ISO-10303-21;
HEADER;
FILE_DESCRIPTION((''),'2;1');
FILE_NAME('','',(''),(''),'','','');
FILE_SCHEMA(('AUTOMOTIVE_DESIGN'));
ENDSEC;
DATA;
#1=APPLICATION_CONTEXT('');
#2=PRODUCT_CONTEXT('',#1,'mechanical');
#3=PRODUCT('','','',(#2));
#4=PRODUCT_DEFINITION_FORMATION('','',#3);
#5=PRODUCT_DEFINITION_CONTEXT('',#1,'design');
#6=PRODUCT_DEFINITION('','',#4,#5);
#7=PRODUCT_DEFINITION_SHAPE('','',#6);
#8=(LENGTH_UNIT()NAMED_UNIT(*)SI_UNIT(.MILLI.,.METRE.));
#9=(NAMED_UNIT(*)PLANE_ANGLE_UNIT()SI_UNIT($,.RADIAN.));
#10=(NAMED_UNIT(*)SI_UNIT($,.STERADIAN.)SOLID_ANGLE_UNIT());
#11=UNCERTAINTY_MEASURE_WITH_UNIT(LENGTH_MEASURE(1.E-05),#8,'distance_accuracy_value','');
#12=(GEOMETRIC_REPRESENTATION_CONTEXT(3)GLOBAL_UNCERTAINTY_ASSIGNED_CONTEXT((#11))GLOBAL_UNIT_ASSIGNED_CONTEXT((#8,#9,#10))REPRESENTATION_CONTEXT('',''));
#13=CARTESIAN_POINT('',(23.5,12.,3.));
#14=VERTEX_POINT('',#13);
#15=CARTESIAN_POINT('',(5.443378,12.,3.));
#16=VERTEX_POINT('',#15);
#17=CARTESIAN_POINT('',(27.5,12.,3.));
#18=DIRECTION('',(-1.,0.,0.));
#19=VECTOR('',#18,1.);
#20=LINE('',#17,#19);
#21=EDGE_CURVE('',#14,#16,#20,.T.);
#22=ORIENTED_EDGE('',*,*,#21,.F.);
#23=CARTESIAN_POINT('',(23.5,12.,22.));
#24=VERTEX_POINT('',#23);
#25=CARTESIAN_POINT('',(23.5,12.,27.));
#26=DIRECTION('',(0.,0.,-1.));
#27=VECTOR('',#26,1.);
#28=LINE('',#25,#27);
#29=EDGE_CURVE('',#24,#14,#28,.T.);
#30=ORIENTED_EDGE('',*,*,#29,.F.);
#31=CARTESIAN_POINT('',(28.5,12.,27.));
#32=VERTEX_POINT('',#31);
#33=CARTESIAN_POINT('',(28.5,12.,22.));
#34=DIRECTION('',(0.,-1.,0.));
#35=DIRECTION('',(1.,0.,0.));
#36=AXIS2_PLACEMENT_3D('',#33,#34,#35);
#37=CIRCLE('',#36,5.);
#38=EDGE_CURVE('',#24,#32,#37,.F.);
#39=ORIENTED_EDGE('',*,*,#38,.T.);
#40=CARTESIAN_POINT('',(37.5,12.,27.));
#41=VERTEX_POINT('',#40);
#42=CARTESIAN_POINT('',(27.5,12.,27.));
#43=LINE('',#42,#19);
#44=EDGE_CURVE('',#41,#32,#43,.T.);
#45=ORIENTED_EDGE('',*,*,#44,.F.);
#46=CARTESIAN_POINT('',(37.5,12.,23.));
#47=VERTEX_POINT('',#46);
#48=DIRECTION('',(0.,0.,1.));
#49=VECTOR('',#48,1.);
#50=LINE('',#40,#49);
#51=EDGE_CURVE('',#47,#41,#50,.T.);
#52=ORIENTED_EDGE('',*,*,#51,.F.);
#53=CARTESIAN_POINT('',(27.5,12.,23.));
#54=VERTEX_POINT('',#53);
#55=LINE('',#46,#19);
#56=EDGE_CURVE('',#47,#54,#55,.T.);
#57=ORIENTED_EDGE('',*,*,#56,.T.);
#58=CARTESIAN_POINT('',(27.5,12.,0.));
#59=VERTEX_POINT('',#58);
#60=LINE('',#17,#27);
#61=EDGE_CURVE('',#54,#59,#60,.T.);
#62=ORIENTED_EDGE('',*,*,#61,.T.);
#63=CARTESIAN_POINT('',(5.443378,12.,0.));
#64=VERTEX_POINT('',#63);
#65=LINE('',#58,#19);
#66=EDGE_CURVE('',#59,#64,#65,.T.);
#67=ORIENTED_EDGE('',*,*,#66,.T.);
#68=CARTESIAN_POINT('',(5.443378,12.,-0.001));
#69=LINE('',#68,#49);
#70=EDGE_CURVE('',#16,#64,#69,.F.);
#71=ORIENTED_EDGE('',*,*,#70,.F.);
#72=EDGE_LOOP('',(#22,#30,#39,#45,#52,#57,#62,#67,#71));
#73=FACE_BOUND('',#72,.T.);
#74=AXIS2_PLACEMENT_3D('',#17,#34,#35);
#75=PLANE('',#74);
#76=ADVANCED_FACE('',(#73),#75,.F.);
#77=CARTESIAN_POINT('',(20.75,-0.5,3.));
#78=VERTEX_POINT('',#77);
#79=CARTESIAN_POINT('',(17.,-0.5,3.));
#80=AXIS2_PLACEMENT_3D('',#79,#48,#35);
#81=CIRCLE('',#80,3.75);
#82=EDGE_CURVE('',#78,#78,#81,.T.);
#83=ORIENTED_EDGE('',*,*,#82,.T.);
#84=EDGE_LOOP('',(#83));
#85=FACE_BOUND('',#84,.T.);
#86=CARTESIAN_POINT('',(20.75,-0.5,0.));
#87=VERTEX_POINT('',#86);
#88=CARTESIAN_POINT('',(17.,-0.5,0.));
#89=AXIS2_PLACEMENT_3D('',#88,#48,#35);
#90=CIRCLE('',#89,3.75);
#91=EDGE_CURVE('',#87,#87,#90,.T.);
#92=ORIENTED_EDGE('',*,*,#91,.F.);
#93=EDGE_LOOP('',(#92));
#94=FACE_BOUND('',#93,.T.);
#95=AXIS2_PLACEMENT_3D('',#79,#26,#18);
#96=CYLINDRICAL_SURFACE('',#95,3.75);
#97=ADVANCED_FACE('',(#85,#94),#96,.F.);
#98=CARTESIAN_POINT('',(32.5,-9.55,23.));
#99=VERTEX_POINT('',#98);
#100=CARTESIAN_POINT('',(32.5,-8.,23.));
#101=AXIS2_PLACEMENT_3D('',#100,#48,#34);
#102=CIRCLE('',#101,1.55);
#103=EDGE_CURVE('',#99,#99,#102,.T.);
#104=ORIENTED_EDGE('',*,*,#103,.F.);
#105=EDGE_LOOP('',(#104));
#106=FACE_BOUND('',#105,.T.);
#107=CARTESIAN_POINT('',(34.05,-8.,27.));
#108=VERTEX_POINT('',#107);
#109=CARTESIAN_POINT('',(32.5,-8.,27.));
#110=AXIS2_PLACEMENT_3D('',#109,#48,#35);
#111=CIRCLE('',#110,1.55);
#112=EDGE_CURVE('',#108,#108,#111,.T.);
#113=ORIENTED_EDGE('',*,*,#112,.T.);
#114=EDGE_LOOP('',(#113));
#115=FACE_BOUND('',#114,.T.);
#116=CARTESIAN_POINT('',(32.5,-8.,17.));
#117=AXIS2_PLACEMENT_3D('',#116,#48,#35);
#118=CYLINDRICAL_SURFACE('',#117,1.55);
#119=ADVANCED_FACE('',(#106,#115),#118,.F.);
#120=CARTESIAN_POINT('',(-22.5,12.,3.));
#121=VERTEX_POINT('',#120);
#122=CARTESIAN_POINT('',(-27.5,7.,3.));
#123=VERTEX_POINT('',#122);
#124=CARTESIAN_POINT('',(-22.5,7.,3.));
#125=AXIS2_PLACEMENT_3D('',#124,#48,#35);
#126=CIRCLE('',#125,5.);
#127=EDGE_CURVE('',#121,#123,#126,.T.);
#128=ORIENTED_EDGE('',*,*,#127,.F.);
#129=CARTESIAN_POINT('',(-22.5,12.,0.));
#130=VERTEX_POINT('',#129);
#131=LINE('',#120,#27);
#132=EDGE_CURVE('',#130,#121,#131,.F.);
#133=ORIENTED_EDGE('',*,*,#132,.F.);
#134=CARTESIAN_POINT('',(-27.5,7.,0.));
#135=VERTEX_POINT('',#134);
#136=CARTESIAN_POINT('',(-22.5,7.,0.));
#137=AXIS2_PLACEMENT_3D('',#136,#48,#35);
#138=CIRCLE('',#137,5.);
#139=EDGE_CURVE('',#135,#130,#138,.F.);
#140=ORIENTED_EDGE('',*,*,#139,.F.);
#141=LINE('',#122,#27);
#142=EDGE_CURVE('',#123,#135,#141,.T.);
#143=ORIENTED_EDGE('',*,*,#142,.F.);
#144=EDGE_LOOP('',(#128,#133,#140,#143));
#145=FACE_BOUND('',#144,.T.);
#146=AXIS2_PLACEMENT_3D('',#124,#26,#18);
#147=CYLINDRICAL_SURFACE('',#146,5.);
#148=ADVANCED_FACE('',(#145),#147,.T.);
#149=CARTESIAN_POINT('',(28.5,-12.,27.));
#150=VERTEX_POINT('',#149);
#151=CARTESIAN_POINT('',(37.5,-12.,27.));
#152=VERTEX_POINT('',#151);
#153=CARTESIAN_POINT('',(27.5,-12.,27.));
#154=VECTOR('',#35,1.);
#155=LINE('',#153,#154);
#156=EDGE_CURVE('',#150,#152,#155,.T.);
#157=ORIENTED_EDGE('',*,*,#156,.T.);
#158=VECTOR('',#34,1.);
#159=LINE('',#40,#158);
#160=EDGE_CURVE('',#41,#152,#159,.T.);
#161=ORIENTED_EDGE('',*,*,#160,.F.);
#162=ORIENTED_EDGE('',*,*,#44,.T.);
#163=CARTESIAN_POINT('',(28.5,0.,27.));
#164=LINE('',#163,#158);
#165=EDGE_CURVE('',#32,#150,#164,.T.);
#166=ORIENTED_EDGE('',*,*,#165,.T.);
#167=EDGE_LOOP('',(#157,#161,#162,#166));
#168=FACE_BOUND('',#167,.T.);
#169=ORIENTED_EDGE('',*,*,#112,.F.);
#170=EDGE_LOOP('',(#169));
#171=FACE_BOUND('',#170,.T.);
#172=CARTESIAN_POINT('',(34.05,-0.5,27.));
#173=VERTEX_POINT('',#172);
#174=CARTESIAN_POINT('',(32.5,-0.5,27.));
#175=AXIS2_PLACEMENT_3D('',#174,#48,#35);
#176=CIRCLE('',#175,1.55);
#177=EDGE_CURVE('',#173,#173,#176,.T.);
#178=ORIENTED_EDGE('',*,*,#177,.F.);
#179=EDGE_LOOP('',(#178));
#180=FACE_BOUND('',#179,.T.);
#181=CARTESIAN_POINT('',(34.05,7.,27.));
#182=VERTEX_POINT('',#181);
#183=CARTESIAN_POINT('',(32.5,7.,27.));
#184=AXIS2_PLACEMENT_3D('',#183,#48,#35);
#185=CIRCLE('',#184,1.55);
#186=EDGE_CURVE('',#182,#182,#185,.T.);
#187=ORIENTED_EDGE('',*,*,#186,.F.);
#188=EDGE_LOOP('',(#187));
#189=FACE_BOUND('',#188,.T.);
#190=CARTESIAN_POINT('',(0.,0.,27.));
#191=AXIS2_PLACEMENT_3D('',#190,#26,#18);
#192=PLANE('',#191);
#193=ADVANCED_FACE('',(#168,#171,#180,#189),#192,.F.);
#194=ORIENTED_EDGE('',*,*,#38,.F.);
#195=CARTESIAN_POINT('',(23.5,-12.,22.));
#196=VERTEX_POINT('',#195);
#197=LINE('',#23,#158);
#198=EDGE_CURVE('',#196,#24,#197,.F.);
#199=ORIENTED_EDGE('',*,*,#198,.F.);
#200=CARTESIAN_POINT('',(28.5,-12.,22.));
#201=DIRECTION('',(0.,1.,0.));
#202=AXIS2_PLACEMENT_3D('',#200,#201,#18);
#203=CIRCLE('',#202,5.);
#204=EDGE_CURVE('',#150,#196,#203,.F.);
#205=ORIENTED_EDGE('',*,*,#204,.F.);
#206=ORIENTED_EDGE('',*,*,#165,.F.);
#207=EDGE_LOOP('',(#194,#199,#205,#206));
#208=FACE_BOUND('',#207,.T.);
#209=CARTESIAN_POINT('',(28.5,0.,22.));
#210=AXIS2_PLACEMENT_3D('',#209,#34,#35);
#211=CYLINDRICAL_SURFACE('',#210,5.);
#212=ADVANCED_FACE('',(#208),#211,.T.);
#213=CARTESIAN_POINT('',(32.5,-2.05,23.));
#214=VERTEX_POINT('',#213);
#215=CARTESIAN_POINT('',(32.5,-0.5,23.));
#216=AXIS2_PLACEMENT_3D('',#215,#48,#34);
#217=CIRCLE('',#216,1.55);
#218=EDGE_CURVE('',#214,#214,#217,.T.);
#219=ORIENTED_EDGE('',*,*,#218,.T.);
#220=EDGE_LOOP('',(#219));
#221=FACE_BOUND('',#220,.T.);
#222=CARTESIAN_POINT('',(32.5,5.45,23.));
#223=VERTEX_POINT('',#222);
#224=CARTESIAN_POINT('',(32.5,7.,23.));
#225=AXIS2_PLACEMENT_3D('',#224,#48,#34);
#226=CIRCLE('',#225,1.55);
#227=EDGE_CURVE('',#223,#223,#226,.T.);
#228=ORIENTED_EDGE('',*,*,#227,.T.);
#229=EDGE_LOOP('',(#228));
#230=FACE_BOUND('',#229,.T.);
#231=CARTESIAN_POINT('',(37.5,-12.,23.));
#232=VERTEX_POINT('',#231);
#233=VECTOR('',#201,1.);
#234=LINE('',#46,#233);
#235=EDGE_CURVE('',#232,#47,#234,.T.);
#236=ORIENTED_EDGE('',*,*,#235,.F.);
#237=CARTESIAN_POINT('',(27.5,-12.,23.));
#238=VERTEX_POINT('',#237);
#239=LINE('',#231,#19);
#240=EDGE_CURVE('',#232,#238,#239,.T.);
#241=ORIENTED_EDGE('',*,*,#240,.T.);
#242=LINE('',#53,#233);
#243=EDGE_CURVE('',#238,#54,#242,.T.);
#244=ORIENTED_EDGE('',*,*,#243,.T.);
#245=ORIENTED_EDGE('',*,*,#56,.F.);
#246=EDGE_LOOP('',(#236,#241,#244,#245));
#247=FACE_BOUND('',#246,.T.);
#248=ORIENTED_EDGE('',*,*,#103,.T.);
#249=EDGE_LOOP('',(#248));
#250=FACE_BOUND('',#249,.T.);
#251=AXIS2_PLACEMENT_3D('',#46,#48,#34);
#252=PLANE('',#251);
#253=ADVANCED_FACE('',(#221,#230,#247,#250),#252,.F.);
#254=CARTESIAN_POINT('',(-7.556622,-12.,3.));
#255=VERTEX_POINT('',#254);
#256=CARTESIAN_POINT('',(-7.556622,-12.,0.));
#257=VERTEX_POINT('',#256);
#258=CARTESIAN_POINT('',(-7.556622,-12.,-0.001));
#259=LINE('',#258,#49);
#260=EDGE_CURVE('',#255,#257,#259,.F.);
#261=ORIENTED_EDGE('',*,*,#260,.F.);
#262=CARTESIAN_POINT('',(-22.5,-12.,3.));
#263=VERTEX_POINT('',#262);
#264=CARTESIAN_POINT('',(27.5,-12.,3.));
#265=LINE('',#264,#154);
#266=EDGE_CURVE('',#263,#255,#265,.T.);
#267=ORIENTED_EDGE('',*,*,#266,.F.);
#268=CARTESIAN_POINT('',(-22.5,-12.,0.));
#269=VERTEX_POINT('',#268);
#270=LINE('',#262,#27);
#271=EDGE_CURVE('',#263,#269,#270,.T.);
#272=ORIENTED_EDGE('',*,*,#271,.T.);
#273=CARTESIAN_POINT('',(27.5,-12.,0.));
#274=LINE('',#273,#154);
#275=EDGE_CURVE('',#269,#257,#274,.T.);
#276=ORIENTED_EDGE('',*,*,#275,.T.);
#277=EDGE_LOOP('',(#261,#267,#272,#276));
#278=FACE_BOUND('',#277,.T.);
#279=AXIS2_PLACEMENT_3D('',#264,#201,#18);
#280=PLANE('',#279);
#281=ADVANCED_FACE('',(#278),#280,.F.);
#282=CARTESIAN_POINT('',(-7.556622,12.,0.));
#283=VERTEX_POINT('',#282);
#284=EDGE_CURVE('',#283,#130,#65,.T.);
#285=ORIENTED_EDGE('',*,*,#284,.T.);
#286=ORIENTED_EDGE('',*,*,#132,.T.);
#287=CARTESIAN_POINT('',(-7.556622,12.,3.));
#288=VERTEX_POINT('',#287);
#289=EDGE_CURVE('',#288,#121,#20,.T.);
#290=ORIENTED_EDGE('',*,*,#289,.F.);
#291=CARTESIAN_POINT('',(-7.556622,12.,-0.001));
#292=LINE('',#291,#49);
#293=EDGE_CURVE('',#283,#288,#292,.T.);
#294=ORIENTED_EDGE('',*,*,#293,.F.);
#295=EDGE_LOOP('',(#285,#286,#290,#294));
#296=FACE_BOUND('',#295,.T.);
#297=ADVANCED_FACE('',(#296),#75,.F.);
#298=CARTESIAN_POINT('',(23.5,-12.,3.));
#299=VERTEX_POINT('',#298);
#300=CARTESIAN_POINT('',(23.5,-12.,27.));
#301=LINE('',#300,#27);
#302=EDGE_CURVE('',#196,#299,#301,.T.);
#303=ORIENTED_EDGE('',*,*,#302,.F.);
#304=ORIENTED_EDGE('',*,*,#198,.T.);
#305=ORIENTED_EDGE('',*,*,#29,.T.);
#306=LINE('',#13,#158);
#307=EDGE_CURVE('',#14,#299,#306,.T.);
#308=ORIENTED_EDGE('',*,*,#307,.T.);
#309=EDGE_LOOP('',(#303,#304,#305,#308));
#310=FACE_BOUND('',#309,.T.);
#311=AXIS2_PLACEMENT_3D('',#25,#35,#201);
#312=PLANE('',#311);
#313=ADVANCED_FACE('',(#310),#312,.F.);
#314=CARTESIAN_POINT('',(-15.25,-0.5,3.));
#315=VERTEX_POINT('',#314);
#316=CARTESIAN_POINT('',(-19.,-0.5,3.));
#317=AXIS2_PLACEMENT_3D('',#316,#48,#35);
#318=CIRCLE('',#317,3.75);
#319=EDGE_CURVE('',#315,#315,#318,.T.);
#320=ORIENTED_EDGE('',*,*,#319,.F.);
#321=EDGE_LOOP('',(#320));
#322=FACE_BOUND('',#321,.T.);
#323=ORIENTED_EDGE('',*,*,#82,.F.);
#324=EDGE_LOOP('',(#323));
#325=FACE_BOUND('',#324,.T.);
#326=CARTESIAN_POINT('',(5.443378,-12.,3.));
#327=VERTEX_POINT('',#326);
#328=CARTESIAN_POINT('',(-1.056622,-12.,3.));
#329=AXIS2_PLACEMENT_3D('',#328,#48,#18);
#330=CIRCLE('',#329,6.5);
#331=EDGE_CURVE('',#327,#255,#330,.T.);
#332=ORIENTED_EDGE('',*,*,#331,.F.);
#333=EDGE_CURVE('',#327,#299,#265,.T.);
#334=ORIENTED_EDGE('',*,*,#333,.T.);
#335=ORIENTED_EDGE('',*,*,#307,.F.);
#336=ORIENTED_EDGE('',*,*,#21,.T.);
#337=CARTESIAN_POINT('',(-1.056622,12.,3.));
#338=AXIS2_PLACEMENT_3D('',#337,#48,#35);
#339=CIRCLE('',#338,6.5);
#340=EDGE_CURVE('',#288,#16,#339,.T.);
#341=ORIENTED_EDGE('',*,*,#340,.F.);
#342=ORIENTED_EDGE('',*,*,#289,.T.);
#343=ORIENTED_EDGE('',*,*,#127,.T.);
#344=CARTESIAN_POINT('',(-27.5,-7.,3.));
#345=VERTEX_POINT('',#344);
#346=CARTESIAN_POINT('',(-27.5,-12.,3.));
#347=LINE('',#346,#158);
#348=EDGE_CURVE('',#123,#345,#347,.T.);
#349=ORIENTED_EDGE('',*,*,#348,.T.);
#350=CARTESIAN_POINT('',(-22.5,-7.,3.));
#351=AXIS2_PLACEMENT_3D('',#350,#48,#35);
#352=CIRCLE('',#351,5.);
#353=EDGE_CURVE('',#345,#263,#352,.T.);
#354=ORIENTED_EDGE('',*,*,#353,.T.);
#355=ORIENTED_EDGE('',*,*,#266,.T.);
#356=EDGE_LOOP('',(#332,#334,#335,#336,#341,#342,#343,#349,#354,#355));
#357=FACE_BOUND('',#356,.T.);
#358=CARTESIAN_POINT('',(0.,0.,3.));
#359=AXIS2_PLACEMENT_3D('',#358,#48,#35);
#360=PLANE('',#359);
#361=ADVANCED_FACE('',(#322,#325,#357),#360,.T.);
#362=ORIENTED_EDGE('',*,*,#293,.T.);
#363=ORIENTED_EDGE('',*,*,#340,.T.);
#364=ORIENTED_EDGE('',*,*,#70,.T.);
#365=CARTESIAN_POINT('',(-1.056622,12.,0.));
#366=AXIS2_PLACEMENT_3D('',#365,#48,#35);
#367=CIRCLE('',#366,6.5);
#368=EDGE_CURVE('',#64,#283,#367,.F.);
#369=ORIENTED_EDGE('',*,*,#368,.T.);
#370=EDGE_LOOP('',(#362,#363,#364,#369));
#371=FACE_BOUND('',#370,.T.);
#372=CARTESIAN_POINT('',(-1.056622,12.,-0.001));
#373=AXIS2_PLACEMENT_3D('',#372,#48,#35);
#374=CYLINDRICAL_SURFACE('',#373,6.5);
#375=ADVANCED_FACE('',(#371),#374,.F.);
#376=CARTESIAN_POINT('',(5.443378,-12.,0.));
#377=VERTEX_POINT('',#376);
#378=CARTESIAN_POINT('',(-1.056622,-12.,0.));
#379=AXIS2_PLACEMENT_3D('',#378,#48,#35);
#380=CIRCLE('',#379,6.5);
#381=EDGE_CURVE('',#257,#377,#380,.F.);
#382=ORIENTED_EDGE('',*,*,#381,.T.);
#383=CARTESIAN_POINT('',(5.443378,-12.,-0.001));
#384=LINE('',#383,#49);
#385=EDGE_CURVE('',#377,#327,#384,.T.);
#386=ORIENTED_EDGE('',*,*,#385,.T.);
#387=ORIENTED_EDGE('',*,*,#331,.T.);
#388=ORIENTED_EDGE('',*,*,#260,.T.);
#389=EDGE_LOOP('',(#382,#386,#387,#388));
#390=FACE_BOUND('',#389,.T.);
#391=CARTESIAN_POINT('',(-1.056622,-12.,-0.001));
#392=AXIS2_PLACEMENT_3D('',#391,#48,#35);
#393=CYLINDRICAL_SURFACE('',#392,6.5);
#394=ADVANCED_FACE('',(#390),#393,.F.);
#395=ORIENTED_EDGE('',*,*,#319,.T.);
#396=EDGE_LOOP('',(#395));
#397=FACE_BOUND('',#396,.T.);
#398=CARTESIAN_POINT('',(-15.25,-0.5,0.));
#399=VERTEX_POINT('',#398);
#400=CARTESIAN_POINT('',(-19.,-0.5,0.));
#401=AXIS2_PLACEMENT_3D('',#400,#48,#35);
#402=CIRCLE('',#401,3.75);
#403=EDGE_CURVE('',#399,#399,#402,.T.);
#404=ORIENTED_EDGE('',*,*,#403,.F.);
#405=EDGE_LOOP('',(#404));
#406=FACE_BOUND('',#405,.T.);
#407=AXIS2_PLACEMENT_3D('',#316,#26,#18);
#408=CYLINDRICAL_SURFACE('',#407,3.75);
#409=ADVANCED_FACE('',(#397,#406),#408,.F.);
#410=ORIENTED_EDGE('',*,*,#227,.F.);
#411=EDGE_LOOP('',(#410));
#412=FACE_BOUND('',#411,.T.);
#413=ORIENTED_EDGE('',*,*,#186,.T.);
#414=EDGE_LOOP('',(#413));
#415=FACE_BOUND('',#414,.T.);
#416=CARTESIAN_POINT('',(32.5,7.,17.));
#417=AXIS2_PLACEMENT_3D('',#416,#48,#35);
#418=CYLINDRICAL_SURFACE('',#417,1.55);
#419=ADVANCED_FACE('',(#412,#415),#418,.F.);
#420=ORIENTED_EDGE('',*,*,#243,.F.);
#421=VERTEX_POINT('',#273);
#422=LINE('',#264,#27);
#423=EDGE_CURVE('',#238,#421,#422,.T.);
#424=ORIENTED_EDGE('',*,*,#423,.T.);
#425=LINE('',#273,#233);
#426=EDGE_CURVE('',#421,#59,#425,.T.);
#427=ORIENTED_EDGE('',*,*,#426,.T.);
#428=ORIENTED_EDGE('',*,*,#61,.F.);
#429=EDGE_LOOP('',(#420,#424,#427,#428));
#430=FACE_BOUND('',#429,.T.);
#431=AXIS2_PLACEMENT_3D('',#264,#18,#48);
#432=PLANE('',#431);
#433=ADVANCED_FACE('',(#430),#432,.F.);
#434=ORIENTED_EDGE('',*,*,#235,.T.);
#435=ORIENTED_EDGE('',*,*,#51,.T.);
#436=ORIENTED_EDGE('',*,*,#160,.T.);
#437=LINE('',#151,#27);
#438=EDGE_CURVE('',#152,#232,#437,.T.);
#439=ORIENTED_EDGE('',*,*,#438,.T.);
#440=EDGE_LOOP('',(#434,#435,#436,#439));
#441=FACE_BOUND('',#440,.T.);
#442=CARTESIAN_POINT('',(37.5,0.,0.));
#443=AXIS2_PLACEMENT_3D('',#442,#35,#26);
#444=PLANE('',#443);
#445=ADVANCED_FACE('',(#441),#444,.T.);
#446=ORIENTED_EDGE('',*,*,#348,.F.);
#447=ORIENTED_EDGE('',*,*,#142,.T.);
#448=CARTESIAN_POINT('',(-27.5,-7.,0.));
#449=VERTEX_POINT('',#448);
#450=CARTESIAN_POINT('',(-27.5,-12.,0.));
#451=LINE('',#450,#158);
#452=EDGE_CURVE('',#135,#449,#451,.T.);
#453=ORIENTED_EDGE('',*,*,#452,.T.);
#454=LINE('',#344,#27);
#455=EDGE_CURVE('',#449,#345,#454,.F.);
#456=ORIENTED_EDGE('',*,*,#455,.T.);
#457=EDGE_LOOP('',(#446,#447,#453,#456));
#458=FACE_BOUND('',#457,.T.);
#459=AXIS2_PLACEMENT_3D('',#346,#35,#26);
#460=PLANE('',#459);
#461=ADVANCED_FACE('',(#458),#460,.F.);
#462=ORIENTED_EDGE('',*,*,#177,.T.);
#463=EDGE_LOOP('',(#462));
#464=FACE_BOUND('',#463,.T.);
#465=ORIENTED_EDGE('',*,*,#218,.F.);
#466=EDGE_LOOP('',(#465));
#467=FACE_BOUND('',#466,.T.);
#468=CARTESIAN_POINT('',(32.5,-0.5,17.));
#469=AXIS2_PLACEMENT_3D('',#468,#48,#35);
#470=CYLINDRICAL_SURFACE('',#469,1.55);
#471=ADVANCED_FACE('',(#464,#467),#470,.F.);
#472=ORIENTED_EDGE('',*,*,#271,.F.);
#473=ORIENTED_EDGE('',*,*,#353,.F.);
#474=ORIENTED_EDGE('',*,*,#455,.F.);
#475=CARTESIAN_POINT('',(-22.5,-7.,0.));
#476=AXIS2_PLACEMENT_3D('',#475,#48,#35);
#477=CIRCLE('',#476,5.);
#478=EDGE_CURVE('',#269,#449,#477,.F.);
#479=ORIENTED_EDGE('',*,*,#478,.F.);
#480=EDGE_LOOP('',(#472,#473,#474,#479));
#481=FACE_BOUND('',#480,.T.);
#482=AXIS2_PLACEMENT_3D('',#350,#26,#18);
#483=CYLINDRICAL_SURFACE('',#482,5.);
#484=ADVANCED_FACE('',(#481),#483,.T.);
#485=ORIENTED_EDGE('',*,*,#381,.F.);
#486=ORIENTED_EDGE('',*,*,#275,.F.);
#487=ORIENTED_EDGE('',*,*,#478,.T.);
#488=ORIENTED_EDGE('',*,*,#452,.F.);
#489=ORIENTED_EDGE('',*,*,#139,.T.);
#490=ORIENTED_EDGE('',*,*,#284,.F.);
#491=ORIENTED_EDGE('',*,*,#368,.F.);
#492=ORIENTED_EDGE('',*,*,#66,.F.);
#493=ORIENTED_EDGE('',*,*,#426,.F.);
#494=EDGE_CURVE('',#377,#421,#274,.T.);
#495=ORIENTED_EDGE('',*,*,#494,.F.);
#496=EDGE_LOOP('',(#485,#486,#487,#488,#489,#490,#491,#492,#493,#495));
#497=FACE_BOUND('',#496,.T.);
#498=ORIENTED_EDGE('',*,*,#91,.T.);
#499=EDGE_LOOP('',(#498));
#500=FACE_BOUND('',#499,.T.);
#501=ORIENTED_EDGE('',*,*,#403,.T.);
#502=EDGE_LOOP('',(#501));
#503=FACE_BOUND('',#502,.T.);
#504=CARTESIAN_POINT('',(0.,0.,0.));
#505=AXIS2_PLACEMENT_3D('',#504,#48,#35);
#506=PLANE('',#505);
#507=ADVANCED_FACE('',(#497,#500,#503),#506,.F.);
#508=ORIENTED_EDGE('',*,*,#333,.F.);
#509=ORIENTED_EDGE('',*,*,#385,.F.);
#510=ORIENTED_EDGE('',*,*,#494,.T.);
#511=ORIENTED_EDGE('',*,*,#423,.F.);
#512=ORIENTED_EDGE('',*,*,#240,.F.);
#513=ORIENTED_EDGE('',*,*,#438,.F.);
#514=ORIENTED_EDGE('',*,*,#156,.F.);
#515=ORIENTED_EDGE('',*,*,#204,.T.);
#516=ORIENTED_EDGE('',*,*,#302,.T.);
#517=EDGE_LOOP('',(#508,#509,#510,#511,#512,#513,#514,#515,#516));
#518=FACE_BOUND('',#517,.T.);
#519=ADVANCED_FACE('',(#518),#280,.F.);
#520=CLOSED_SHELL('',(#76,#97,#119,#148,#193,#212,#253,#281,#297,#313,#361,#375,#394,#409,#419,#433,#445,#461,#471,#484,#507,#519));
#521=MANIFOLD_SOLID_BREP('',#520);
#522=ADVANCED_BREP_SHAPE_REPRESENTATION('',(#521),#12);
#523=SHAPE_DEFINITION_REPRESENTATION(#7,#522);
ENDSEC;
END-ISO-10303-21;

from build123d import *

# Parameters (mm, degrees)
SKETCH1_W           = 55
SKETCH1_H           = 24
SKETCH1_R           = 3.75
BOSS_EXTRUDE1_DEPTH = 3
SKETCH3_W           = 4
SKETCH3_H           = 24
BOSS_EXTRUDE2_DEPTH = 24
SKETCH4_W           = 4
SKETCH4_H           = 24
BOSS_EXTRUDE3_DEPTH = 10
SKETCH5_R           = 1.55
CUT_EXTRUDE1_DEPTH  = 10
CUT_EXTRUDE2_REACH  = 48.111
SKETCH6_R           = 6.5
FILLET1_R           = 5


with BuildPart() as part:
    # Sketch1 → Boss-Extrude1 (new body)
    with BuildSketch(Plane.XY):
        Rectangle(SKETCH1_W, SKETCH1_H)
        with Locations((-19, -0.5)):
            Circle(SKETCH1_R, mode=Mode.SUBTRACT)
        with Locations((17, -0.5)):
            Circle(SKETCH1_R, mode=Mode.SUBTRACT)
    extrude(amount=BOSS_EXTRUDE1_DEPTH)

    # Sketch3 → Boss-Extrude2 (add)
    with BuildSketch(Plane.XY.offset(3)):
        with Locations((25.5, 0)):
            Rectangle(SKETCH3_W, SKETCH3_H)
    extrude(amount=BOSS_EXTRUDE2_DEPTH)

    # Sketch4 → Boss-Extrude3 (add)
    with BuildSketch(Plane(origin=(27.5, 0, 0), x_dir=(0, 0, -1), z_dir=(1, 0, 0))):
        with Locations((-25, 0)):
            Rectangle(SKETCH4_W, SKETCH4_H)
    extrude(amount=BOSS_EXTRUDE3_DEPTH)

    # Sketch5 → Cut-Extrude1 (cut)
    with BuildSketch(Plane.XY.offset(27)):
        with Locations((32.5, 7)):
            Circle(SKETCH5_R)
        with Locations((32.5, -0.5)):
            Circle(SKETCH5_R)
        with Locations((32.5, -8)):
            Circle(SKETCH5_R)
    extrude(amount=-CUT_EXTRUDE1_DEPTH, mode=Mode.SUBTRACT)

    # Sketch6 → Cut-Extrude2 (cut, up to next)
    with BuildSketch(Plane.XY.offset(3), mode=Mode.PRIVATE) as cut_extrude2_sk1:
        with Locations((-1.056622026, 12)):
            Circle(SKETCH6_R)
    cut_extrude2_tool1 = extrude(cut_extrude2_sk1.sketch, amount=-CUT_EXTRUDE2_REACH, mode=Mode.PRIVATE) & part.part
    # Sketch6 → Cut-Extrude2 (cut, up to next)
    with BuildSketch(Plane.XY.offset(3), mode=Mode.PRIVATE) as cut_extrude2_sk2:
        with Locations((-1.056622026, -12)):
            Circle(SKETCH6_R)
    cut_extrude2_tool2 = extrude(cut_extrude2_sk2.sketch, amount=-CUT_EXTRUDE2_REACH, mode=Mode.PRIVATE) & part.part
    add(cut_extrude2_tool1.solids().sort_by_distance((-1.056622, 12, 3))[0], mode=Mode.SUBTRACT)
    add(cut_extrude2_tool2.solids().sort_by_distance((-1.056622, -12, 3))[0], mode=Mode.SUBTRACT)

    # Fillet1
    fillet1_edges = [part.edges().sort_by_distance(p)[0] for p in [
        (23.5, 0, 27),
        (-27.5, 12, 1.5),
        (-27.5, -12, 1.5),
    ]]
    fillet(fillet1_edges, radius=FILLET1_R)


solid = part.part
